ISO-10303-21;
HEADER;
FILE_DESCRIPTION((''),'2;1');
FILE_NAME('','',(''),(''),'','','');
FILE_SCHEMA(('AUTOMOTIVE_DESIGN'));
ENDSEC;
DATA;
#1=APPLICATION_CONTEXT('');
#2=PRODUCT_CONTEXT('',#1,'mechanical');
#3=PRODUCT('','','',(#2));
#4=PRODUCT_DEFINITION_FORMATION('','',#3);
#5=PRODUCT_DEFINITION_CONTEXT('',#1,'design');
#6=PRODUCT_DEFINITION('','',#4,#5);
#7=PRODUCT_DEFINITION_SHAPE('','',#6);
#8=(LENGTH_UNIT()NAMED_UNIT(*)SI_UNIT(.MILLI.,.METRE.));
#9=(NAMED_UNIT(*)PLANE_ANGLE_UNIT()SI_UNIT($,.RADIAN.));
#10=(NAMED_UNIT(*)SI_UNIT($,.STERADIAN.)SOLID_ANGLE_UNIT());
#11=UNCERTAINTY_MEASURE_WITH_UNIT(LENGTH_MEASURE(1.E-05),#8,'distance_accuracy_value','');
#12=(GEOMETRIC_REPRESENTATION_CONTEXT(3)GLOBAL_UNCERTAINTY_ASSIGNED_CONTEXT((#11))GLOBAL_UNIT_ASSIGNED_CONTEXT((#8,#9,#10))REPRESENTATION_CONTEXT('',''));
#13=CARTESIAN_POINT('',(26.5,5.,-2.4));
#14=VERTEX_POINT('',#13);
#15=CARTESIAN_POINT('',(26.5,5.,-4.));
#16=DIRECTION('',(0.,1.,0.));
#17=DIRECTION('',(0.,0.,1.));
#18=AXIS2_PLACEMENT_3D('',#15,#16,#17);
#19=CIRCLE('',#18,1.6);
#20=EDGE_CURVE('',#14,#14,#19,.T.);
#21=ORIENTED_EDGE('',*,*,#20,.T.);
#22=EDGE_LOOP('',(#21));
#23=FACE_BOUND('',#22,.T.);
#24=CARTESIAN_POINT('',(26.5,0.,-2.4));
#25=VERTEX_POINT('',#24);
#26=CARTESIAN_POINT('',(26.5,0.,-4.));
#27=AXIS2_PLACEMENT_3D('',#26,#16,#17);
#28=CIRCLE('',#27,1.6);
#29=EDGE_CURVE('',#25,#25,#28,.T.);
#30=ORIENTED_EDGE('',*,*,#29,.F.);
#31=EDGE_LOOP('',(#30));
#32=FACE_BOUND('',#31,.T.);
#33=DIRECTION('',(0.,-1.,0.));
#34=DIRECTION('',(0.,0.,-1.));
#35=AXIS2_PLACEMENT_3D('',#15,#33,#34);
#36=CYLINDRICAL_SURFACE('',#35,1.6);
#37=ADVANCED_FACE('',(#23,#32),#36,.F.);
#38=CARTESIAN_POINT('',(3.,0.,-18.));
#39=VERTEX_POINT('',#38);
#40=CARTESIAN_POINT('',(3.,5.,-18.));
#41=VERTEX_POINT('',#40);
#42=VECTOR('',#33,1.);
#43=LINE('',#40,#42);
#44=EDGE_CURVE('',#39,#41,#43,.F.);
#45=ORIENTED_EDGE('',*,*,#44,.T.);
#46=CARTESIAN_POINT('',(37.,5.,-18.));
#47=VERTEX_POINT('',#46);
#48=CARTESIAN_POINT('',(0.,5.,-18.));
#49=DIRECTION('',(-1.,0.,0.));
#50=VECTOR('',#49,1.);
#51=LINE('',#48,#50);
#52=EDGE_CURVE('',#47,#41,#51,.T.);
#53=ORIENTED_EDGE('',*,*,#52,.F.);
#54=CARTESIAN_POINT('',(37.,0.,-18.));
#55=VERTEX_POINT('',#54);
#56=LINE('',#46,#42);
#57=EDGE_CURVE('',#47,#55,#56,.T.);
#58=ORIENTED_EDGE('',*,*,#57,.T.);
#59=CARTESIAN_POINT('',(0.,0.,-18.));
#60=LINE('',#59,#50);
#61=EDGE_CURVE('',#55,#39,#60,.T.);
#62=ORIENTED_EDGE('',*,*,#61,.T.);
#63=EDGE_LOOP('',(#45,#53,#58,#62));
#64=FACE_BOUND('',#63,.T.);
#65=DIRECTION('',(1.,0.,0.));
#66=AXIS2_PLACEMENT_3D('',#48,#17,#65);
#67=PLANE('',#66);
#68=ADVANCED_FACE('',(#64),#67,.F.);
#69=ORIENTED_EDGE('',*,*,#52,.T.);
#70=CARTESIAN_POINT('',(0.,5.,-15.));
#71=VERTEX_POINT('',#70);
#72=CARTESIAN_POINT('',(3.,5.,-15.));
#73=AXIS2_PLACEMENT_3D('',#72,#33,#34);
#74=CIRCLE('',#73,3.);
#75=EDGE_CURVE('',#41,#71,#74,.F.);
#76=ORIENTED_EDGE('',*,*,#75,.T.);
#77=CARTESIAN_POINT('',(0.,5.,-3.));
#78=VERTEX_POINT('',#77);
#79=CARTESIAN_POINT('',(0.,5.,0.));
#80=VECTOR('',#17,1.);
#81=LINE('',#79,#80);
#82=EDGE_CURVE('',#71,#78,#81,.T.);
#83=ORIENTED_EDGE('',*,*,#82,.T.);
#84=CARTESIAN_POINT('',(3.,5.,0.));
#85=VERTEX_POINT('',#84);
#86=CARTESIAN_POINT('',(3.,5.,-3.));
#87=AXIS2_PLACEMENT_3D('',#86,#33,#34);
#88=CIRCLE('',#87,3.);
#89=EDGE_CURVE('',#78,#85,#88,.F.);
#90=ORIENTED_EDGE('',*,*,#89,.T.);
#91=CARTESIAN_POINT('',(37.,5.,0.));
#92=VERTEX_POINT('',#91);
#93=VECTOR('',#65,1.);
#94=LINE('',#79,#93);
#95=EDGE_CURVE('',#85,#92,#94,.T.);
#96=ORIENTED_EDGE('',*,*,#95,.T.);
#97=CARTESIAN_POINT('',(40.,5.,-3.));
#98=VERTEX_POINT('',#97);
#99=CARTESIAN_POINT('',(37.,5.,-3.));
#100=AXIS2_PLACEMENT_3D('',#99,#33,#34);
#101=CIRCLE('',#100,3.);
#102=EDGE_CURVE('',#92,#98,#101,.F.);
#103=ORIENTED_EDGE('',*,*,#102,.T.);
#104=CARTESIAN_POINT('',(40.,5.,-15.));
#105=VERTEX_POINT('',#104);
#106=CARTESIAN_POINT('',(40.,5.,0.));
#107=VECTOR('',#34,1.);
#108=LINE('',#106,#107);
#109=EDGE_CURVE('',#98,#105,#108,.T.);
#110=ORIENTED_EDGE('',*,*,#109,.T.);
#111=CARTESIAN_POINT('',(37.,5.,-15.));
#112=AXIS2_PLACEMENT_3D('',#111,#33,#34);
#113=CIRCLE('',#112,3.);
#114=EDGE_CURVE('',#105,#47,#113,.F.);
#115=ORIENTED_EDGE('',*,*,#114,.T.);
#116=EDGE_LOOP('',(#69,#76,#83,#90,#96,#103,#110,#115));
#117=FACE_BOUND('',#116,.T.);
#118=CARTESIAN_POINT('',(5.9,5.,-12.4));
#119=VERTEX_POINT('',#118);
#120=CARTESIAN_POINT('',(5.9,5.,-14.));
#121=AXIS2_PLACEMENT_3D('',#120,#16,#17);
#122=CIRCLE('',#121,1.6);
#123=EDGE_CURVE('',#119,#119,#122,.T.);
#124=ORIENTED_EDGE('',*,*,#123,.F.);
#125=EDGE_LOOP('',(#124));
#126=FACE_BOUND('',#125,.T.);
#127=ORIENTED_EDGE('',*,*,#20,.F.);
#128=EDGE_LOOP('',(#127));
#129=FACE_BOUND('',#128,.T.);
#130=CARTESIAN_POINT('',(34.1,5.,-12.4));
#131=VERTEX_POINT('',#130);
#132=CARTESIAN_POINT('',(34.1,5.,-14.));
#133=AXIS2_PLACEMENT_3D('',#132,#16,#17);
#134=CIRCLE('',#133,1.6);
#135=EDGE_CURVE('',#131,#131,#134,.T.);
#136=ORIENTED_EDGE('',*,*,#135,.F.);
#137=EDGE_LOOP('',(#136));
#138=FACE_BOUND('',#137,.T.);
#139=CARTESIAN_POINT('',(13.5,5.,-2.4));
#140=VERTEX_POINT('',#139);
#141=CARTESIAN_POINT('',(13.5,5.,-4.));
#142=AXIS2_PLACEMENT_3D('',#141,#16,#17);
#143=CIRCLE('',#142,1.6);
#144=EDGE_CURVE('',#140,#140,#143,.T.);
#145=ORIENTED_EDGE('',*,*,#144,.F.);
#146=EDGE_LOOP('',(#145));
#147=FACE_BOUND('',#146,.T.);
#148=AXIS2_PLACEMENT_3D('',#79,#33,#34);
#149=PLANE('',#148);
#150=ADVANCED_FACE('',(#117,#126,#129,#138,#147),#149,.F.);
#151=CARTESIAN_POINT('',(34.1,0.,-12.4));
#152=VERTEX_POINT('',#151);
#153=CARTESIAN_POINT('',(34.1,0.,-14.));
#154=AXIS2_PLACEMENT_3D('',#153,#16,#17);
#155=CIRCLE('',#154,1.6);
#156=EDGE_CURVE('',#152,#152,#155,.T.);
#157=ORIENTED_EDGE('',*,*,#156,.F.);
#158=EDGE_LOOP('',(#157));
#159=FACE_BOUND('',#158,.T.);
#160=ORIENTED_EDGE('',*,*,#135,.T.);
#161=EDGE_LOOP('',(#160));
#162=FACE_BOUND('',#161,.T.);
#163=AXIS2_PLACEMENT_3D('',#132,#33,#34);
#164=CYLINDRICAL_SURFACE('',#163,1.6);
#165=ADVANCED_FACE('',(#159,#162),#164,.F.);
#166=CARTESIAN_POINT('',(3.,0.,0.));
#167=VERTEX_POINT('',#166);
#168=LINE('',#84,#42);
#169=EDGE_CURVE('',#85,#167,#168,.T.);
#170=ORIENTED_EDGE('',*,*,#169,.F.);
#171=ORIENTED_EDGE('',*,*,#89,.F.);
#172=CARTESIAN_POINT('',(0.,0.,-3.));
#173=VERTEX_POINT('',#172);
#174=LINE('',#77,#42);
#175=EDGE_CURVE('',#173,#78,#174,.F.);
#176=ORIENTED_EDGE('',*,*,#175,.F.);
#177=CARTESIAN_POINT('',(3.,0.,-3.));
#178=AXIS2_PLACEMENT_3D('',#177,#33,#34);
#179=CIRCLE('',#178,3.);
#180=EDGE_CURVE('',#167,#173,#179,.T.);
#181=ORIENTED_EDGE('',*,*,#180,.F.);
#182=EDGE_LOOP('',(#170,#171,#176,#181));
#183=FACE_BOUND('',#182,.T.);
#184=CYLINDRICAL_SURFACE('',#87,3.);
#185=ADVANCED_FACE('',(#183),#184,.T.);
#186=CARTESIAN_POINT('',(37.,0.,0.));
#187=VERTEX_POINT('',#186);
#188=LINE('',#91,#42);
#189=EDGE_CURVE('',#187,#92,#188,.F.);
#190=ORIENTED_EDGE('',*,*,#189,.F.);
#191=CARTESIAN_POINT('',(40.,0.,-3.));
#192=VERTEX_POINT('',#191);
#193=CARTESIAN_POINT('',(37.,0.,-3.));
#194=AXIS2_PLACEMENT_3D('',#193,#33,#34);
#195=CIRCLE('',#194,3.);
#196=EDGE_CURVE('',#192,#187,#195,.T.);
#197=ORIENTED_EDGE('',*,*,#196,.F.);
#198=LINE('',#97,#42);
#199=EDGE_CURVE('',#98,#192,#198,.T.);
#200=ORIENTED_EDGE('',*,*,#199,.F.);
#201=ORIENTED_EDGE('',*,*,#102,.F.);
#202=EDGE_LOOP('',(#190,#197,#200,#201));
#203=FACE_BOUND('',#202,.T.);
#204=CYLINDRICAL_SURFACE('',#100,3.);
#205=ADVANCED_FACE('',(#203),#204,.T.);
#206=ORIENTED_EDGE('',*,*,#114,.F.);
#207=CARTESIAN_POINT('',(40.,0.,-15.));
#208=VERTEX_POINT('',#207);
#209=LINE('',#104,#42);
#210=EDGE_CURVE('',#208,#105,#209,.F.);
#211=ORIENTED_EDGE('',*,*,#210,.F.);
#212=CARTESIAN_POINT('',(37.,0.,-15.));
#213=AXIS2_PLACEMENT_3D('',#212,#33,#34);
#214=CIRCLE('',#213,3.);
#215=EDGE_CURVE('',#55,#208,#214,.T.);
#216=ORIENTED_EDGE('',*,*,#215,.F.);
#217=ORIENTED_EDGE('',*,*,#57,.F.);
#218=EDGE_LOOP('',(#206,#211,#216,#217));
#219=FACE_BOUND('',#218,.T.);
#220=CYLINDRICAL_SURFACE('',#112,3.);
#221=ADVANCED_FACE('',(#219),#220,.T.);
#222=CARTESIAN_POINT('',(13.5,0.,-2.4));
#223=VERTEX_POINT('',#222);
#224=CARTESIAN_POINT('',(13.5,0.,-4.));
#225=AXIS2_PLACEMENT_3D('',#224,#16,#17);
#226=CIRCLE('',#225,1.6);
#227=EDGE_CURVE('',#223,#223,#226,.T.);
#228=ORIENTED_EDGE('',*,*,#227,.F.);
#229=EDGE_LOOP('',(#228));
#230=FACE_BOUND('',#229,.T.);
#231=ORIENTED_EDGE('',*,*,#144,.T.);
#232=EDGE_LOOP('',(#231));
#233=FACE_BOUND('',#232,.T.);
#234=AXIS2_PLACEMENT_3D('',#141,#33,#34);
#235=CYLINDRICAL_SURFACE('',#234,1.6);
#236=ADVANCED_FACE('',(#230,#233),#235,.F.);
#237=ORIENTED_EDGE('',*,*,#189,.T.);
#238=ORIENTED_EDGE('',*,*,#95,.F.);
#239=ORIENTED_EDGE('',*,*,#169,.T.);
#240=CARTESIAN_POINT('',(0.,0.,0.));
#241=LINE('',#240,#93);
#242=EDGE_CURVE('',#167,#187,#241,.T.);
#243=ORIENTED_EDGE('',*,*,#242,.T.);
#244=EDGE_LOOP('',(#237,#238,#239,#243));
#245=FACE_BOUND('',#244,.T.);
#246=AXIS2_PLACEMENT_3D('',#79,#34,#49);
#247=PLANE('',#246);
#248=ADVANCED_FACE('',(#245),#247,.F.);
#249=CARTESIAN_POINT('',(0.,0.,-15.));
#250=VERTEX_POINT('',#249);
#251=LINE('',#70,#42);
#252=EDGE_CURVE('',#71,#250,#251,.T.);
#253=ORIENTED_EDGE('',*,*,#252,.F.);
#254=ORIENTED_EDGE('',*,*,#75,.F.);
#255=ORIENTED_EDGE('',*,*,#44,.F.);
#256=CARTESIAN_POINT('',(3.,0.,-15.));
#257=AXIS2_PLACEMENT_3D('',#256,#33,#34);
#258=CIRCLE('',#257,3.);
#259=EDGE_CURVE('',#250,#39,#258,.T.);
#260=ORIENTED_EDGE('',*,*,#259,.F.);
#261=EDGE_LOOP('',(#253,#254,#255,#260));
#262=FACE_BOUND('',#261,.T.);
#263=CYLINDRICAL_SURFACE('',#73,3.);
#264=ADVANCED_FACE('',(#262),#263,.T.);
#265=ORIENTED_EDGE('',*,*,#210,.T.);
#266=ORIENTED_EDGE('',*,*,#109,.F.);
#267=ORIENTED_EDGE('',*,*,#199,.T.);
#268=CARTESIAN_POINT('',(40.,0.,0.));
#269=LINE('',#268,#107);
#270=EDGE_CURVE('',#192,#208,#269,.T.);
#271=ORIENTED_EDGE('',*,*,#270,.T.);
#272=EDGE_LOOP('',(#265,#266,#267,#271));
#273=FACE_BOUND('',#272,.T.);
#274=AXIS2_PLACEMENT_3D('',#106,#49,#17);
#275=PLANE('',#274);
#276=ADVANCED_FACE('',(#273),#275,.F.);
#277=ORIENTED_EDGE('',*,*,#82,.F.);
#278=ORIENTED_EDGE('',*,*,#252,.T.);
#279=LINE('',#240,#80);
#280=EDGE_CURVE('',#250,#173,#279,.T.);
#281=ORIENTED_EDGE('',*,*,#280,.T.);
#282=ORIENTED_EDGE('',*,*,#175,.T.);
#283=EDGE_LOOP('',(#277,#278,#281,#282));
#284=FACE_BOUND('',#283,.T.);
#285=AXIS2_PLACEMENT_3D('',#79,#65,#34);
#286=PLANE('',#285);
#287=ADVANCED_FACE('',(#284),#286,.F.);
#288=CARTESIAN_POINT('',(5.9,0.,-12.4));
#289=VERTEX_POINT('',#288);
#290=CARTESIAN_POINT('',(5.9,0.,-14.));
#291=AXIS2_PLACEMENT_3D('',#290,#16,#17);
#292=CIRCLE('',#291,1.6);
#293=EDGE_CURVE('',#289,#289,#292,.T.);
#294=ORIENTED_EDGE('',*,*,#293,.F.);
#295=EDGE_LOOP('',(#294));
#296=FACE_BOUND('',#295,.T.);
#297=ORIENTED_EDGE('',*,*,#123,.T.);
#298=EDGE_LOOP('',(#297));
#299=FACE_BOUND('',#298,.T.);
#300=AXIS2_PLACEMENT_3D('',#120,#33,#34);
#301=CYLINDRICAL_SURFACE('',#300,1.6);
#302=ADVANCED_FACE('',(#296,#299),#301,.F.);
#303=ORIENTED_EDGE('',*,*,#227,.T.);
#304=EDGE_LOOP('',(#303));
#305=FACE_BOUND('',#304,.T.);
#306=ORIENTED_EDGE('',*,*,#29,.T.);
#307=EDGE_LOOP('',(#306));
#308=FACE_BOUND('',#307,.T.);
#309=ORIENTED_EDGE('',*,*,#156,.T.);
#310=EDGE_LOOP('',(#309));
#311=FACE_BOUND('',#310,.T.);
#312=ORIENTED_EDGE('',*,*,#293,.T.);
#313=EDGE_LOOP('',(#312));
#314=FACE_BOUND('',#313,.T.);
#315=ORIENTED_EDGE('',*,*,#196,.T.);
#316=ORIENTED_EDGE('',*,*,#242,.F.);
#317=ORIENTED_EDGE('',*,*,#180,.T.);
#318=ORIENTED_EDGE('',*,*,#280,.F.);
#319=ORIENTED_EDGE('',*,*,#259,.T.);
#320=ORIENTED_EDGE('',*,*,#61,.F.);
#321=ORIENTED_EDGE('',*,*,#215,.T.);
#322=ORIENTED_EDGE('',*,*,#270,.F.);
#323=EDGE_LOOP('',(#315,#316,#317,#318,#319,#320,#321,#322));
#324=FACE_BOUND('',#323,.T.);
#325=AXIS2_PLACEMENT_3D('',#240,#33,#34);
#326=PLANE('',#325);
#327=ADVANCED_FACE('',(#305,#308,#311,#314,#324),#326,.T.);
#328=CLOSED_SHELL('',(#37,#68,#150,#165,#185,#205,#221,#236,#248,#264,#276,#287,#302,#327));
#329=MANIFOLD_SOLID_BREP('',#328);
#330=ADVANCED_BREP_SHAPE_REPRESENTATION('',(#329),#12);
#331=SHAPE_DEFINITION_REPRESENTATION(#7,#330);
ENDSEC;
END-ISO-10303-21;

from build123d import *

# Parameters (mm, degrees)
SKETCH2_W           = 40
SKETCH2_H           = 18
SKETCH2_R           = 1.6
BOSS_EXTRUDE1_DEPTH = 5
FILLET1_R           = 3


with BuildPart() as part:
    # Sketch2 → Boss-Extrude1 (new body)
    with BuildSketch(Plane(origin=(0, 0, 0), x_dir=(1, 0, 0), z_dir=(0, 1, 0))):
        with Locations((20, 9)):
            Rectangle(SKETCH2_W, SKETCH2_H)
        with Locations(Location((5.9, 14, 0), (0, 0, 270))):
            Circle(SKETCH2_R, mode=Mode.SUBTRACT)
        with Locations(Location((34.1, 14, 0), (0, 0, 270))):
            Circle(SKETCH2_R, mode=Mode.SUBTRACT)
        with Locations(Location((13.5, 4, 0), (0, 0, 270))):
            Circle(SKETCH2_R, mode=Mode.SUBTRACT)
        with Locations(Location((26.5, 4, 0), (0, 0, 270))):
            Circle(SKETCH2_R, mode=Mode.SUBTRACT)
    extrude(amount=BOSS_EXTRUDE1_DEPTH)

    # Fillet1
    fillet1_edges = [part.edges().sort_by_distance(p)[0] for p in [
        (0, 2.5, -18),
        (40, 2.5, -18),
        (40, 2.5, 0),
        (0, 2.5, 0),
    ]]
    fillet(fillet1_edges, radius=FILLET1_R)


solid = part.part
